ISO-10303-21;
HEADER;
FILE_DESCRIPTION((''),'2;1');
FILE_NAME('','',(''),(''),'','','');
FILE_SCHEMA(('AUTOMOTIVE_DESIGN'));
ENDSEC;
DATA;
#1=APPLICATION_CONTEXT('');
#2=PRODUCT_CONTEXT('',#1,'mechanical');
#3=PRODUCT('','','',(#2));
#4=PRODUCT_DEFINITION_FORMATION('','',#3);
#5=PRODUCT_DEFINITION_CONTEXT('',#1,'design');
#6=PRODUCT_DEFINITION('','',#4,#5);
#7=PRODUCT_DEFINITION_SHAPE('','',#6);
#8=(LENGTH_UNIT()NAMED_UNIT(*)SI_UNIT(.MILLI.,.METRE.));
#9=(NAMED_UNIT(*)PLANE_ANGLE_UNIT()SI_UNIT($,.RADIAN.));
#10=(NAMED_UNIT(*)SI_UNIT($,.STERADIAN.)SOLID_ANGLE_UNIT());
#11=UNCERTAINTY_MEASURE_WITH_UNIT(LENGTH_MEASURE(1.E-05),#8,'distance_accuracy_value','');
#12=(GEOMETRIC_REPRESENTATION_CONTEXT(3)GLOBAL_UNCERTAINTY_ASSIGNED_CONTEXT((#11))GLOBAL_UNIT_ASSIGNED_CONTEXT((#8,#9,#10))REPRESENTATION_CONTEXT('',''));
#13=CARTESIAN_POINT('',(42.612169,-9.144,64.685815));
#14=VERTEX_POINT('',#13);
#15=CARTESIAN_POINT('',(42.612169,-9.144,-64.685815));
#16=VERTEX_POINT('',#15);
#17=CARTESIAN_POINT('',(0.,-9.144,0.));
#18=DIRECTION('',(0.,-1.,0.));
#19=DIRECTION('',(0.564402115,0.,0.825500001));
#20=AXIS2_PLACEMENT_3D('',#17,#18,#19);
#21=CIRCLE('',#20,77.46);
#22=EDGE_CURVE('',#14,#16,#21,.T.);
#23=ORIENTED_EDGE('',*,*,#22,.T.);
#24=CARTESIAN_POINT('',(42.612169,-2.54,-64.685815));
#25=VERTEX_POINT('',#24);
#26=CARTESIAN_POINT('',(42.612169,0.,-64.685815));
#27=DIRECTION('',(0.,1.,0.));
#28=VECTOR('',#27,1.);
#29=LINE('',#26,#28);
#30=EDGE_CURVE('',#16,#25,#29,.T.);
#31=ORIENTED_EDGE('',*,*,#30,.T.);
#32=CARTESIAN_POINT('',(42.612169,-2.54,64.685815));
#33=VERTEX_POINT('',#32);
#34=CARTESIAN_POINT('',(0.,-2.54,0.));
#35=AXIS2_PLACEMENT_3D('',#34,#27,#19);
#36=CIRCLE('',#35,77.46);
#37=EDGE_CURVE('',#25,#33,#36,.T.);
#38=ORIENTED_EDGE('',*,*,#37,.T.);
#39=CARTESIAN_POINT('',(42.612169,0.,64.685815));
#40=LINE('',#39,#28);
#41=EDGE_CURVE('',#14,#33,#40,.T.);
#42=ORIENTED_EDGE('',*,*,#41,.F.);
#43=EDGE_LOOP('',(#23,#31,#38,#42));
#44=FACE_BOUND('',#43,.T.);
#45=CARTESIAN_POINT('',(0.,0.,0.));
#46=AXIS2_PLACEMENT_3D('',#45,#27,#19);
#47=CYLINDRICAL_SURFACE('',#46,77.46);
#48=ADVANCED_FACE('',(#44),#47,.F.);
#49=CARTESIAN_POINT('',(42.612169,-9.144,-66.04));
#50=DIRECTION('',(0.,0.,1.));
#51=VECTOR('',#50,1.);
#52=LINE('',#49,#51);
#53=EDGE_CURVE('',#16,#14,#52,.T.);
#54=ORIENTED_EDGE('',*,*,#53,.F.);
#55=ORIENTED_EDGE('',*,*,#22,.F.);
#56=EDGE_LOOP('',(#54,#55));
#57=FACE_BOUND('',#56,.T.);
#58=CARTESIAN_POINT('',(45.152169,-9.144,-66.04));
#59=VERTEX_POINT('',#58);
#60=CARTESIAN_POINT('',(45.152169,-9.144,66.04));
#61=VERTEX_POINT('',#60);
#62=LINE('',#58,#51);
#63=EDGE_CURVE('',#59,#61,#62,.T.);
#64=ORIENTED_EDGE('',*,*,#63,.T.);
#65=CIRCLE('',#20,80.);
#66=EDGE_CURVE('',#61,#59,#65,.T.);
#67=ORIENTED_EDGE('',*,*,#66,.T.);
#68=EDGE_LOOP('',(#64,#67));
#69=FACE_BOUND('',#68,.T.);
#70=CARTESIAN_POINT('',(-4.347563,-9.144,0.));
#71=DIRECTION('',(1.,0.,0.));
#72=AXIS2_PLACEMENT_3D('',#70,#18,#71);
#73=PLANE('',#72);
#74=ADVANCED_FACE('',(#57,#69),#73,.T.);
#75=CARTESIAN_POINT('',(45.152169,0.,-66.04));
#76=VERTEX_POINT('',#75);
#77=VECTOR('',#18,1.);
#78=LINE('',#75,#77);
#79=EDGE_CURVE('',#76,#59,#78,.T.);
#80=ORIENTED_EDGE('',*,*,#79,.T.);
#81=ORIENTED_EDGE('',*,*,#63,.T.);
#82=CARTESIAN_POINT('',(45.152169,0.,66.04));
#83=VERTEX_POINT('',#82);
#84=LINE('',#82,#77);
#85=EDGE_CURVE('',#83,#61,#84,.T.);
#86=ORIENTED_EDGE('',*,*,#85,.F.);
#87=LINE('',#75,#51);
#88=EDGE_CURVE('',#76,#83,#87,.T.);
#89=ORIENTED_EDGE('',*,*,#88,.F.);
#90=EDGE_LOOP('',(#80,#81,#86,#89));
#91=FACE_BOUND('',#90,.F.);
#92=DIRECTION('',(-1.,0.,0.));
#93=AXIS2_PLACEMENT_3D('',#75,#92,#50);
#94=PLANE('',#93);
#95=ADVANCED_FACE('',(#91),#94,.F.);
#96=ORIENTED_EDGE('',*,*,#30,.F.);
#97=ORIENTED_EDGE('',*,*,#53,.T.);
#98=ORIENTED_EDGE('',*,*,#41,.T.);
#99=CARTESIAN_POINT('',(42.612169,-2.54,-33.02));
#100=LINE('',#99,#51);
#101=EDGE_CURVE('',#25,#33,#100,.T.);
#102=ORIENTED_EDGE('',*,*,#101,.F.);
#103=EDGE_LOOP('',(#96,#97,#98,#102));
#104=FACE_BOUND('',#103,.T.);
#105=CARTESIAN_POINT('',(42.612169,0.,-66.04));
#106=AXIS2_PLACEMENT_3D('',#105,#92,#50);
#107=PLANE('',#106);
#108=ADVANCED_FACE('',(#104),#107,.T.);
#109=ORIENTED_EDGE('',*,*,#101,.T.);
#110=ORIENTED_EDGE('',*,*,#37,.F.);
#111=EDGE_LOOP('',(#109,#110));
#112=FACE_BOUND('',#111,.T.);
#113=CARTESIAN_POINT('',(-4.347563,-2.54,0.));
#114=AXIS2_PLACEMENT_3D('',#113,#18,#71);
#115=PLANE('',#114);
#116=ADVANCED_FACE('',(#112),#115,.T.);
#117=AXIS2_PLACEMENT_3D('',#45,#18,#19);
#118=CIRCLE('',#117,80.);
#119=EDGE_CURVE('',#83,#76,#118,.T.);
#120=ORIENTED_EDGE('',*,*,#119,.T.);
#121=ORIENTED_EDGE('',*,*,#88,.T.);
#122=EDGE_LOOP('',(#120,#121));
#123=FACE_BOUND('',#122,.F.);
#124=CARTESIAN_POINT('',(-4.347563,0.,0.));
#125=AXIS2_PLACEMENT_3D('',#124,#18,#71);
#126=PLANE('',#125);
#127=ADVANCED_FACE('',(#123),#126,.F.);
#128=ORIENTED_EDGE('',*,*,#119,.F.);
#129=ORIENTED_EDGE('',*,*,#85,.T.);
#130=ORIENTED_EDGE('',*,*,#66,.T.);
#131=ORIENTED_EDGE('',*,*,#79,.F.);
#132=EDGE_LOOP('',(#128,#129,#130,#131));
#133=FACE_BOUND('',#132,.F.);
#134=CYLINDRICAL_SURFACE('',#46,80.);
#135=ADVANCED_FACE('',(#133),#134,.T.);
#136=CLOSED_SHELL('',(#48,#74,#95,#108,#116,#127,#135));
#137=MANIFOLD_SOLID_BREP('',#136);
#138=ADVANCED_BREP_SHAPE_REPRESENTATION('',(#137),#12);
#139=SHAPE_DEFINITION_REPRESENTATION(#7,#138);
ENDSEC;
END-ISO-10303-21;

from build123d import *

# Parameters (mm, degrees)
F1_DEPTH = 9.144
F2_T     = -2.54


with BuildPart() as f1:
    # F0 (on Front) → F1 (new body)
    with BuildSketch(Plane.XZ):
        with BuildLine():
            Line((45.152169, -66.04), (45.152169, 66.04))
            ThreePointArc((45.152169, 66.04), (-80, 0), (45.152169, -66.04))
        make_face()
    extrude(amount=F1_DEPTH)

    # F2
    f2_openings = [f1.faces().sort_by_distance(p)[0] for p in [
        (-11.379823, -9.144, 0),
    ]]
    offset(amount=F2_T, openings=f2_openings)


solid = f1.part
